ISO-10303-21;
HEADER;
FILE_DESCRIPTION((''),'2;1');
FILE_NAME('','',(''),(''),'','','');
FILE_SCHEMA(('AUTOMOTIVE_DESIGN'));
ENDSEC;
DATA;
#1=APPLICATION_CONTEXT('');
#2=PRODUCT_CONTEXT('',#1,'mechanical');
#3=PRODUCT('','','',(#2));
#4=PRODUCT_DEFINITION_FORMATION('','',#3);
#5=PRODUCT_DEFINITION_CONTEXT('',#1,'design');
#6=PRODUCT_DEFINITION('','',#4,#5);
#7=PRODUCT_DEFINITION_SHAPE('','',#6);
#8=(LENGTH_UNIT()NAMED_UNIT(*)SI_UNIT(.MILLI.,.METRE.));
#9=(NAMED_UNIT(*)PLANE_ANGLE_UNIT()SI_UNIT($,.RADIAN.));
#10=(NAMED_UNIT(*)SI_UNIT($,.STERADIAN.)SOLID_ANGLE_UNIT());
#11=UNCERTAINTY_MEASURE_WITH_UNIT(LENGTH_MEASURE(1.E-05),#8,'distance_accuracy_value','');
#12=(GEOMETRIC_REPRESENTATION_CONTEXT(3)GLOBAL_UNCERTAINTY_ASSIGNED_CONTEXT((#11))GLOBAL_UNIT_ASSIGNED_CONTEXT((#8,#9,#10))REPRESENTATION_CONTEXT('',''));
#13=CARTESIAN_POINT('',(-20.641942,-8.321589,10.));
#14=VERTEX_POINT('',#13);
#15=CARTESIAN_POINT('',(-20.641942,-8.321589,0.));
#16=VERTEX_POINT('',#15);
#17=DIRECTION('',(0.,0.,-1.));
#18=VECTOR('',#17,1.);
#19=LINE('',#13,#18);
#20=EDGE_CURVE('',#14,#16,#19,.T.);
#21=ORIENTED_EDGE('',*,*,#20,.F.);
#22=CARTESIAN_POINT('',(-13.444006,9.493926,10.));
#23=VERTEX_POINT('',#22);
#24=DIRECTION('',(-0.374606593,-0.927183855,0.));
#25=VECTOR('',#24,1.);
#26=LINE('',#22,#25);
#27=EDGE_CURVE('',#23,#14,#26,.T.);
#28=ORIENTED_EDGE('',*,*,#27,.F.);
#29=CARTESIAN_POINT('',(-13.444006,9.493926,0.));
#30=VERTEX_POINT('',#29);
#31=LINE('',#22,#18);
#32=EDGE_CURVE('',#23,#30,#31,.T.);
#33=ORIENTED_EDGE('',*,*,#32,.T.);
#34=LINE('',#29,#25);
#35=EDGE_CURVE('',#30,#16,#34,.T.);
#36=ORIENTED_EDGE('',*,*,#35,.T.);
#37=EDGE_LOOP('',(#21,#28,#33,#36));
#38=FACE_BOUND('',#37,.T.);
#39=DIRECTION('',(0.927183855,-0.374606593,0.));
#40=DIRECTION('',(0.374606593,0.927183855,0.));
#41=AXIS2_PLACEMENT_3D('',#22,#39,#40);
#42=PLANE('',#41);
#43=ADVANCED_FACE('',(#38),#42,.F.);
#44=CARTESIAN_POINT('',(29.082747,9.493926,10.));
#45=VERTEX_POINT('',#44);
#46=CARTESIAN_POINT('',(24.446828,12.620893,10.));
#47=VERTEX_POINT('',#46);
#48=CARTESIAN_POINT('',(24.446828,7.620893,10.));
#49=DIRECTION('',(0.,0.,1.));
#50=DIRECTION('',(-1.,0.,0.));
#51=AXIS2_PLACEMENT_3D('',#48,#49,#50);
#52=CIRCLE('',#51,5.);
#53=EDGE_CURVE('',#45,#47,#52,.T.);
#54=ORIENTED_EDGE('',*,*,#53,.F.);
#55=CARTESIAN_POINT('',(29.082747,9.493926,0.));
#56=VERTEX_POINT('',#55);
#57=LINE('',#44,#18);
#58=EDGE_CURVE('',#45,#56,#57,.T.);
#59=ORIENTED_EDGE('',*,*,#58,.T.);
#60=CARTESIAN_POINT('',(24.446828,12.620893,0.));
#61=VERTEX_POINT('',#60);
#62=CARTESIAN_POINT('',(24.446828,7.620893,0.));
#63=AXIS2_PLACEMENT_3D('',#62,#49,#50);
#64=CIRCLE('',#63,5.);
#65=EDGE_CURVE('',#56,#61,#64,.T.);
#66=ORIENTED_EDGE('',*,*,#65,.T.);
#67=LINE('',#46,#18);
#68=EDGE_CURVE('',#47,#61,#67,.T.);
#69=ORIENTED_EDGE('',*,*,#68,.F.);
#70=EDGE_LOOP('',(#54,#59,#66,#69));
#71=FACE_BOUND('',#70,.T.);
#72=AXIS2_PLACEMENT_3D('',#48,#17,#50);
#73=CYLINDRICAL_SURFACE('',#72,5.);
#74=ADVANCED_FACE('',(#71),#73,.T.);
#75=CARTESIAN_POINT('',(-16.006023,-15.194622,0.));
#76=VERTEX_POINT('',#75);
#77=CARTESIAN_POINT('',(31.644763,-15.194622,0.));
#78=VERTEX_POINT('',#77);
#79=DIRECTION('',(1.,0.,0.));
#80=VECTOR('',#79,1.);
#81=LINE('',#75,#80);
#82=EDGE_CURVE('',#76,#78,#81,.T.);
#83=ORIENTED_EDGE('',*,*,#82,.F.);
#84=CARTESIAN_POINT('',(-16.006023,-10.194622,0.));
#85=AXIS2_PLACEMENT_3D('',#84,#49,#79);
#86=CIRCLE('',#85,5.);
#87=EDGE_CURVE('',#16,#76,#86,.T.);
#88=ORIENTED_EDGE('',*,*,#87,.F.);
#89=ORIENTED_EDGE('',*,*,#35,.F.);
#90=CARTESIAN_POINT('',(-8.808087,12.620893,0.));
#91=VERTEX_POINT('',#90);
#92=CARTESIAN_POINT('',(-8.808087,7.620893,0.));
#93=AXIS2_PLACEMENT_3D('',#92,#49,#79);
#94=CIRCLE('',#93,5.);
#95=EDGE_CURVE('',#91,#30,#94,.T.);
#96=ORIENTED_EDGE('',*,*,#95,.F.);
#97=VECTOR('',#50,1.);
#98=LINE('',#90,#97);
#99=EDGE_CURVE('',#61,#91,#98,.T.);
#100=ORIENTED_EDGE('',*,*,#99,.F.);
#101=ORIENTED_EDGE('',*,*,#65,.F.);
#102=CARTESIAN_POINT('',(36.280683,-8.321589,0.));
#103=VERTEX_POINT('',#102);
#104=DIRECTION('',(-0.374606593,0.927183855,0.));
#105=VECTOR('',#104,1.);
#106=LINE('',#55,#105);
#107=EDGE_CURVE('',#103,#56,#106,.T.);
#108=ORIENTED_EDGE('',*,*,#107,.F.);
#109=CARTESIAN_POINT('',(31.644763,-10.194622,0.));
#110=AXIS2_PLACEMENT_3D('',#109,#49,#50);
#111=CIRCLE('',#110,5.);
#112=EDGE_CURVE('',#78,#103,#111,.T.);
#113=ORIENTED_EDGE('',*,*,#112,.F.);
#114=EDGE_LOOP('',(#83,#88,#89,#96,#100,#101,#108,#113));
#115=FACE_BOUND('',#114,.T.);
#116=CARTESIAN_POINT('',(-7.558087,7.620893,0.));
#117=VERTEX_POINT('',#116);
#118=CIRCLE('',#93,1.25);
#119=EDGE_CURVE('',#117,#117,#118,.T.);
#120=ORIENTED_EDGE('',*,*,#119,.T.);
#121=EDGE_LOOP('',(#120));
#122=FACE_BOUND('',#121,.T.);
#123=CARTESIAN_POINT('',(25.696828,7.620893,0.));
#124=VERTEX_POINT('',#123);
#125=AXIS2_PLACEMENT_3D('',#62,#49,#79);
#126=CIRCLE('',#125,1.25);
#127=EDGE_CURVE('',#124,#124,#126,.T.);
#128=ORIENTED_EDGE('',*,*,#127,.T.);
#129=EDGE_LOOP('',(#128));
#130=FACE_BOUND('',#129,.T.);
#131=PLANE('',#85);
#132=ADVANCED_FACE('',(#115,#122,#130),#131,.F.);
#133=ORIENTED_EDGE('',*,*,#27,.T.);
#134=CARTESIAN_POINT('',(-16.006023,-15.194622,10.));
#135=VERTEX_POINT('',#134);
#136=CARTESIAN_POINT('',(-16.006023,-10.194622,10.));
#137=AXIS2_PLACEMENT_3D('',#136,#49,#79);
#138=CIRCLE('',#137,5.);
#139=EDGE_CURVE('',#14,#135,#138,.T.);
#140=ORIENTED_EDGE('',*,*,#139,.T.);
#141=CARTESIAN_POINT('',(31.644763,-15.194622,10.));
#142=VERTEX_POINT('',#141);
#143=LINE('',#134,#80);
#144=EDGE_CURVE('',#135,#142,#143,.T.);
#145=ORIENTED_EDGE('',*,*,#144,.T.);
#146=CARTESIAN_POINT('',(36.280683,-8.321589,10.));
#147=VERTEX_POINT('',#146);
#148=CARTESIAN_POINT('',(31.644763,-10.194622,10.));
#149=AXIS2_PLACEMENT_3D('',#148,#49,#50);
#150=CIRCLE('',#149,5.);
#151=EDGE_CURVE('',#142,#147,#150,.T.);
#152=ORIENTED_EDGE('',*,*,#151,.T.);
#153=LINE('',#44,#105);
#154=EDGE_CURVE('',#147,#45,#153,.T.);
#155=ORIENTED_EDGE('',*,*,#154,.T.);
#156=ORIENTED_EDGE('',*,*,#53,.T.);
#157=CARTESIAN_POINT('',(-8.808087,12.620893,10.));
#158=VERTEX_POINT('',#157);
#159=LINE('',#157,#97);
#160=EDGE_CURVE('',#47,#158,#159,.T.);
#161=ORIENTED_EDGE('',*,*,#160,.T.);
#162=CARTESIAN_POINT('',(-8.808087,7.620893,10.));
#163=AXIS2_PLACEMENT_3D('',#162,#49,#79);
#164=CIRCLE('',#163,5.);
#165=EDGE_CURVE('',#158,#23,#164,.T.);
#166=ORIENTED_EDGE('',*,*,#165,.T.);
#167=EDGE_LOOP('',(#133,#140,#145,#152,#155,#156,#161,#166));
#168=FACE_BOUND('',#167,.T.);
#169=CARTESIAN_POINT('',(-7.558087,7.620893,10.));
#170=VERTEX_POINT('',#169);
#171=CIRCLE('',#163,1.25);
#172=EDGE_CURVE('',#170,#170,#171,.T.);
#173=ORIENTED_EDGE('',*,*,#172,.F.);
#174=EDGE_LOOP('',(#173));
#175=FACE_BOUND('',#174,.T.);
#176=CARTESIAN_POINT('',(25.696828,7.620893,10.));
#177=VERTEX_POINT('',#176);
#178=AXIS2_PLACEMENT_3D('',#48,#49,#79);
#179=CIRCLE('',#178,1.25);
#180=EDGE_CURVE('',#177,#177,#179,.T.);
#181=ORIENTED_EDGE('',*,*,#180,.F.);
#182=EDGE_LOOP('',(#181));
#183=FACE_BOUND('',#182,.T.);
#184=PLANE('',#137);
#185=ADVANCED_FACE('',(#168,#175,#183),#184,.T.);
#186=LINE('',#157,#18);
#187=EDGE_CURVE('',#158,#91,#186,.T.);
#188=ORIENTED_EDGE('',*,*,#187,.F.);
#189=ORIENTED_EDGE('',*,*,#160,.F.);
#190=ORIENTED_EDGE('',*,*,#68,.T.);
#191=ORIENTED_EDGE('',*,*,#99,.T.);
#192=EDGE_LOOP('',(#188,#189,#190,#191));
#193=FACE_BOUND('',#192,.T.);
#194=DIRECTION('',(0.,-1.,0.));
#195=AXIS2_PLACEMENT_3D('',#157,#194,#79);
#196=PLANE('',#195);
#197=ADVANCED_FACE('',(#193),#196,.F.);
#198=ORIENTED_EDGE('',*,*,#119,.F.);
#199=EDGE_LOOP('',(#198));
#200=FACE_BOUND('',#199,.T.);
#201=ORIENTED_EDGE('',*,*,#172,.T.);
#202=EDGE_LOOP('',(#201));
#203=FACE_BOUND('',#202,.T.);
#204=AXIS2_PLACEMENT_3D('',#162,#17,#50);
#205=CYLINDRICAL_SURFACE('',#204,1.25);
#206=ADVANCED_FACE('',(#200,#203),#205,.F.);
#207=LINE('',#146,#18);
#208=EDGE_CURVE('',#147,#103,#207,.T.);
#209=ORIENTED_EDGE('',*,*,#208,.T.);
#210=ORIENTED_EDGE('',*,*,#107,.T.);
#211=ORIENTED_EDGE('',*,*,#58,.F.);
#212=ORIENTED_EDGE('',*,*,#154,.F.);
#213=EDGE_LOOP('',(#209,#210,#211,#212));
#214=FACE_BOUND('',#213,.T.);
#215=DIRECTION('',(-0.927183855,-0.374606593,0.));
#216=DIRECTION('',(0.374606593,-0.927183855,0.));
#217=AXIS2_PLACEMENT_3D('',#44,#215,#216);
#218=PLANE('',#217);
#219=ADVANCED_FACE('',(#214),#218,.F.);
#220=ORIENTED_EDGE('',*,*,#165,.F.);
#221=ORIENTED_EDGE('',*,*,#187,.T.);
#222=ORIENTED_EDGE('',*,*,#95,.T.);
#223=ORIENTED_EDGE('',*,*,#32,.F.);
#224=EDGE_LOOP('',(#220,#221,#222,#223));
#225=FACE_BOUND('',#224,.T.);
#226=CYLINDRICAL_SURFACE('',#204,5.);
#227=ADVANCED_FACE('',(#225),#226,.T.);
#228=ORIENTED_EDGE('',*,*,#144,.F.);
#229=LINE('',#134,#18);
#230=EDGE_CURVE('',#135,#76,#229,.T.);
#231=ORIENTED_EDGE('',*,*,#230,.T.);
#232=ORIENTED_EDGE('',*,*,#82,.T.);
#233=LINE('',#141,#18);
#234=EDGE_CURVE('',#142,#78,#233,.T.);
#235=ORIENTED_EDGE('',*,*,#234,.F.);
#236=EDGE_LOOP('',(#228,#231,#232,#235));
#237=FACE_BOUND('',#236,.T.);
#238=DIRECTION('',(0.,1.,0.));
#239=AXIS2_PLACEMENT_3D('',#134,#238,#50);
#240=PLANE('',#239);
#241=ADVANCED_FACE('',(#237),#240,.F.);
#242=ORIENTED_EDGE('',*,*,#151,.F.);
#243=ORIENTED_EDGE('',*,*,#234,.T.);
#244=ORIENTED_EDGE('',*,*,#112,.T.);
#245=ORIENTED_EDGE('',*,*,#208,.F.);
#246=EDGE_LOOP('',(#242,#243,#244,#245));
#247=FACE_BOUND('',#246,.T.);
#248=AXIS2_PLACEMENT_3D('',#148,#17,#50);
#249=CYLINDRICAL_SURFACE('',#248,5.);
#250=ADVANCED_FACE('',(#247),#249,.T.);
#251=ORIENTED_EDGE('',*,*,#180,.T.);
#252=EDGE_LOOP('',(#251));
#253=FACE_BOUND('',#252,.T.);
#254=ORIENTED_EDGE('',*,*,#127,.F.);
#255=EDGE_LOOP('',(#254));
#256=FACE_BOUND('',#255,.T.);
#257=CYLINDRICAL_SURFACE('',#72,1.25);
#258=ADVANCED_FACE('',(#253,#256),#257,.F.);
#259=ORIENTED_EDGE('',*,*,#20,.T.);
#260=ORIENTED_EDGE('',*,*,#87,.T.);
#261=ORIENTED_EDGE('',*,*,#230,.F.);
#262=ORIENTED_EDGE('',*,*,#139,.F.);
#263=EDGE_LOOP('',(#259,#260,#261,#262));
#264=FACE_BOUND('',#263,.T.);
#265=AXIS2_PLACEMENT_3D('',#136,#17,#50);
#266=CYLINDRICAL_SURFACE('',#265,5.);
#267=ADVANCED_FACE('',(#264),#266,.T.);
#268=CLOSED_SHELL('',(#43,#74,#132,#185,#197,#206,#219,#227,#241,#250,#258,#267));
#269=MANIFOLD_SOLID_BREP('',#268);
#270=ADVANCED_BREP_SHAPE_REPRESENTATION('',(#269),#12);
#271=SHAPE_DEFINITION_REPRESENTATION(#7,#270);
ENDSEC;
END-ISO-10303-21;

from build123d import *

# Parameters (mm, degrees)
SKETCH2_R           = 1.25
BOSS_EXTRUDE1_DEPTH = 10


with BuildPart() as part:
    # Sketch2 → Boss-Extrude1 (new body)
    with BuildSketch(Plane.XY):
        with BuildLine():
            Line((-8.808086989, 12.620893293), (24.446827843, 12.620893293))
            ThreePointArc((24.446827843, 12.620893293), (27.24279236, 11.766081155), (29.082747115, 9.49392626))
            Line((29.082747115, 9.49392626), (36.28068266, -8.321589377))
            ThreePointArc((36.28068266, -8.321589377), (35.78995125, -12.990586862), (31.644763387, -15.194622344))
            Line((31.644763387, -15.194622344), (-16.006022533, -15.194622344))
            ThreePointArc((-16.006022533, -15.194622344), (-20.151210396, -12.990586862), (-20.641941806, -8.321589377))
            Line((-20.641941806, -8.321589377), (-13.444006262, 9.49392626))
            ThreePointArc((-13.444006262, 9.49392626), (-11.604051506, 11.766081155), (-8.808086989, 12.620893293))
        make_face()
        with Locations((-8.808086989, 7.620893293)):
            Circle(SKETCH2_R, mode=Mode.SUBTRACT)
        with Locations((24.446827843, 7.620893293)):
            Circle(SKETCH2_R, mode=Mode.SUBTRACT)
    extrude(amount=BOSS_EXTRUDE1_DEPTH)


solid = part.part
